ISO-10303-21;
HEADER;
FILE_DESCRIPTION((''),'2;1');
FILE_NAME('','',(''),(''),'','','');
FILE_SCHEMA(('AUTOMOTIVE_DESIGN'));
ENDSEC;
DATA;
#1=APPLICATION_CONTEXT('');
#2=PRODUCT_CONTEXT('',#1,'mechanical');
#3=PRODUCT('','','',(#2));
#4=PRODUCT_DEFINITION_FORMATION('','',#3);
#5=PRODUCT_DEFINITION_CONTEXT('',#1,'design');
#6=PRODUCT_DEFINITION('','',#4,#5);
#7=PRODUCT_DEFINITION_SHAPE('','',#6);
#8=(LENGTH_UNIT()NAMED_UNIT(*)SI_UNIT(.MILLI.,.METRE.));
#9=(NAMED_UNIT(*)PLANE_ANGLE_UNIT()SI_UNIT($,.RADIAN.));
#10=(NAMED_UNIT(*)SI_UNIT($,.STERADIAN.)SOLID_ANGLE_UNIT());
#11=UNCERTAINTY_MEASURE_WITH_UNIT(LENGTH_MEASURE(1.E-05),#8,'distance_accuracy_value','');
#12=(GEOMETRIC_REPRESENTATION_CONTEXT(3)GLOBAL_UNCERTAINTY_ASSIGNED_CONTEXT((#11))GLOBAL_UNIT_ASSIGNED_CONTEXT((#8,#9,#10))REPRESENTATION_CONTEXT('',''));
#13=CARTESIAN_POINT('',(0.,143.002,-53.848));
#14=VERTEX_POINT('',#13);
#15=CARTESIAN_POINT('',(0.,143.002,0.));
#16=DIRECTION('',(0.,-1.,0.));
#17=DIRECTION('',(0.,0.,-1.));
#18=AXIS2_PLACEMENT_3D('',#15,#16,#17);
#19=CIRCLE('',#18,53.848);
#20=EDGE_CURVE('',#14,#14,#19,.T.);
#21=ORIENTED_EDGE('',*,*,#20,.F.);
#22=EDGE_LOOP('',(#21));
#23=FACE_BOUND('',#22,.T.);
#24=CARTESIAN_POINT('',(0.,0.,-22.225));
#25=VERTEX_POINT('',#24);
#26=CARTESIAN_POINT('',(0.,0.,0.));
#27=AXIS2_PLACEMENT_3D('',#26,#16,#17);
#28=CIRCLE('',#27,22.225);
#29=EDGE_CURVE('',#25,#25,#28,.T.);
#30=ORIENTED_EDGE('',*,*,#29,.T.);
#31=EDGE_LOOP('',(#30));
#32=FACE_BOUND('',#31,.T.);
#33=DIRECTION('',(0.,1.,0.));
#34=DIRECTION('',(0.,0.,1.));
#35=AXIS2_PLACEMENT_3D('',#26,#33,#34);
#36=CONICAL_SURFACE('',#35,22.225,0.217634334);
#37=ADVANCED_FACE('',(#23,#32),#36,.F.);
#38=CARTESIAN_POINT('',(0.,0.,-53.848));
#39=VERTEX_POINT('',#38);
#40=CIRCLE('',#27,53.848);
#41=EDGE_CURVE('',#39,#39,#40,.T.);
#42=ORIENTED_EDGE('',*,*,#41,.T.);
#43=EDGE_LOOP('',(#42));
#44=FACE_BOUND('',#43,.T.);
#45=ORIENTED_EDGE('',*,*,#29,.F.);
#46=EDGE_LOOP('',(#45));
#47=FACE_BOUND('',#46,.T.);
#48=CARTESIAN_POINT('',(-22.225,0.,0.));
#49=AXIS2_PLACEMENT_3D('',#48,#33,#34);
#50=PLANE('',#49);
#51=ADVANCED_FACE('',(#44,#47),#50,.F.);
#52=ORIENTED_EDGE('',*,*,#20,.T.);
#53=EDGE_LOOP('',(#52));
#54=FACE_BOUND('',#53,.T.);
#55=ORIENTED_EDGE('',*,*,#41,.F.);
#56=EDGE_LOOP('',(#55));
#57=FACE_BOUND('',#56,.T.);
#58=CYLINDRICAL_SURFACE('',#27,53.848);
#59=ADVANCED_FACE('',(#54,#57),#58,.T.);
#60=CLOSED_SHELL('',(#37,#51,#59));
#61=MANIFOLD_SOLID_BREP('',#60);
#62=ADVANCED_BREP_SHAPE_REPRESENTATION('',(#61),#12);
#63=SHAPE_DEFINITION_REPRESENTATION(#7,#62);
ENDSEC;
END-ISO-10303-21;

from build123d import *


with BuildPart() as part:
    # Sketch1 → Revolve1 (revolve)
    with BuildSketch(Plane(origin=(0, 0, 0), x_dir=(0, 1, 0), z_dir=(0, 0, 1)), mode=Mode.PRIVATE) as revolve1_sk:
        Polygon((0, 22.225), (0, 53.848), (143.002, 53.848), align=None)
    revolve(revolve1_sk.sketch.rotate(Axis((0, 0, 0), (0, 1, 0)), 270), axis=Axis((0, 0, 0), (0, 1, 0)))


solid = part.part
